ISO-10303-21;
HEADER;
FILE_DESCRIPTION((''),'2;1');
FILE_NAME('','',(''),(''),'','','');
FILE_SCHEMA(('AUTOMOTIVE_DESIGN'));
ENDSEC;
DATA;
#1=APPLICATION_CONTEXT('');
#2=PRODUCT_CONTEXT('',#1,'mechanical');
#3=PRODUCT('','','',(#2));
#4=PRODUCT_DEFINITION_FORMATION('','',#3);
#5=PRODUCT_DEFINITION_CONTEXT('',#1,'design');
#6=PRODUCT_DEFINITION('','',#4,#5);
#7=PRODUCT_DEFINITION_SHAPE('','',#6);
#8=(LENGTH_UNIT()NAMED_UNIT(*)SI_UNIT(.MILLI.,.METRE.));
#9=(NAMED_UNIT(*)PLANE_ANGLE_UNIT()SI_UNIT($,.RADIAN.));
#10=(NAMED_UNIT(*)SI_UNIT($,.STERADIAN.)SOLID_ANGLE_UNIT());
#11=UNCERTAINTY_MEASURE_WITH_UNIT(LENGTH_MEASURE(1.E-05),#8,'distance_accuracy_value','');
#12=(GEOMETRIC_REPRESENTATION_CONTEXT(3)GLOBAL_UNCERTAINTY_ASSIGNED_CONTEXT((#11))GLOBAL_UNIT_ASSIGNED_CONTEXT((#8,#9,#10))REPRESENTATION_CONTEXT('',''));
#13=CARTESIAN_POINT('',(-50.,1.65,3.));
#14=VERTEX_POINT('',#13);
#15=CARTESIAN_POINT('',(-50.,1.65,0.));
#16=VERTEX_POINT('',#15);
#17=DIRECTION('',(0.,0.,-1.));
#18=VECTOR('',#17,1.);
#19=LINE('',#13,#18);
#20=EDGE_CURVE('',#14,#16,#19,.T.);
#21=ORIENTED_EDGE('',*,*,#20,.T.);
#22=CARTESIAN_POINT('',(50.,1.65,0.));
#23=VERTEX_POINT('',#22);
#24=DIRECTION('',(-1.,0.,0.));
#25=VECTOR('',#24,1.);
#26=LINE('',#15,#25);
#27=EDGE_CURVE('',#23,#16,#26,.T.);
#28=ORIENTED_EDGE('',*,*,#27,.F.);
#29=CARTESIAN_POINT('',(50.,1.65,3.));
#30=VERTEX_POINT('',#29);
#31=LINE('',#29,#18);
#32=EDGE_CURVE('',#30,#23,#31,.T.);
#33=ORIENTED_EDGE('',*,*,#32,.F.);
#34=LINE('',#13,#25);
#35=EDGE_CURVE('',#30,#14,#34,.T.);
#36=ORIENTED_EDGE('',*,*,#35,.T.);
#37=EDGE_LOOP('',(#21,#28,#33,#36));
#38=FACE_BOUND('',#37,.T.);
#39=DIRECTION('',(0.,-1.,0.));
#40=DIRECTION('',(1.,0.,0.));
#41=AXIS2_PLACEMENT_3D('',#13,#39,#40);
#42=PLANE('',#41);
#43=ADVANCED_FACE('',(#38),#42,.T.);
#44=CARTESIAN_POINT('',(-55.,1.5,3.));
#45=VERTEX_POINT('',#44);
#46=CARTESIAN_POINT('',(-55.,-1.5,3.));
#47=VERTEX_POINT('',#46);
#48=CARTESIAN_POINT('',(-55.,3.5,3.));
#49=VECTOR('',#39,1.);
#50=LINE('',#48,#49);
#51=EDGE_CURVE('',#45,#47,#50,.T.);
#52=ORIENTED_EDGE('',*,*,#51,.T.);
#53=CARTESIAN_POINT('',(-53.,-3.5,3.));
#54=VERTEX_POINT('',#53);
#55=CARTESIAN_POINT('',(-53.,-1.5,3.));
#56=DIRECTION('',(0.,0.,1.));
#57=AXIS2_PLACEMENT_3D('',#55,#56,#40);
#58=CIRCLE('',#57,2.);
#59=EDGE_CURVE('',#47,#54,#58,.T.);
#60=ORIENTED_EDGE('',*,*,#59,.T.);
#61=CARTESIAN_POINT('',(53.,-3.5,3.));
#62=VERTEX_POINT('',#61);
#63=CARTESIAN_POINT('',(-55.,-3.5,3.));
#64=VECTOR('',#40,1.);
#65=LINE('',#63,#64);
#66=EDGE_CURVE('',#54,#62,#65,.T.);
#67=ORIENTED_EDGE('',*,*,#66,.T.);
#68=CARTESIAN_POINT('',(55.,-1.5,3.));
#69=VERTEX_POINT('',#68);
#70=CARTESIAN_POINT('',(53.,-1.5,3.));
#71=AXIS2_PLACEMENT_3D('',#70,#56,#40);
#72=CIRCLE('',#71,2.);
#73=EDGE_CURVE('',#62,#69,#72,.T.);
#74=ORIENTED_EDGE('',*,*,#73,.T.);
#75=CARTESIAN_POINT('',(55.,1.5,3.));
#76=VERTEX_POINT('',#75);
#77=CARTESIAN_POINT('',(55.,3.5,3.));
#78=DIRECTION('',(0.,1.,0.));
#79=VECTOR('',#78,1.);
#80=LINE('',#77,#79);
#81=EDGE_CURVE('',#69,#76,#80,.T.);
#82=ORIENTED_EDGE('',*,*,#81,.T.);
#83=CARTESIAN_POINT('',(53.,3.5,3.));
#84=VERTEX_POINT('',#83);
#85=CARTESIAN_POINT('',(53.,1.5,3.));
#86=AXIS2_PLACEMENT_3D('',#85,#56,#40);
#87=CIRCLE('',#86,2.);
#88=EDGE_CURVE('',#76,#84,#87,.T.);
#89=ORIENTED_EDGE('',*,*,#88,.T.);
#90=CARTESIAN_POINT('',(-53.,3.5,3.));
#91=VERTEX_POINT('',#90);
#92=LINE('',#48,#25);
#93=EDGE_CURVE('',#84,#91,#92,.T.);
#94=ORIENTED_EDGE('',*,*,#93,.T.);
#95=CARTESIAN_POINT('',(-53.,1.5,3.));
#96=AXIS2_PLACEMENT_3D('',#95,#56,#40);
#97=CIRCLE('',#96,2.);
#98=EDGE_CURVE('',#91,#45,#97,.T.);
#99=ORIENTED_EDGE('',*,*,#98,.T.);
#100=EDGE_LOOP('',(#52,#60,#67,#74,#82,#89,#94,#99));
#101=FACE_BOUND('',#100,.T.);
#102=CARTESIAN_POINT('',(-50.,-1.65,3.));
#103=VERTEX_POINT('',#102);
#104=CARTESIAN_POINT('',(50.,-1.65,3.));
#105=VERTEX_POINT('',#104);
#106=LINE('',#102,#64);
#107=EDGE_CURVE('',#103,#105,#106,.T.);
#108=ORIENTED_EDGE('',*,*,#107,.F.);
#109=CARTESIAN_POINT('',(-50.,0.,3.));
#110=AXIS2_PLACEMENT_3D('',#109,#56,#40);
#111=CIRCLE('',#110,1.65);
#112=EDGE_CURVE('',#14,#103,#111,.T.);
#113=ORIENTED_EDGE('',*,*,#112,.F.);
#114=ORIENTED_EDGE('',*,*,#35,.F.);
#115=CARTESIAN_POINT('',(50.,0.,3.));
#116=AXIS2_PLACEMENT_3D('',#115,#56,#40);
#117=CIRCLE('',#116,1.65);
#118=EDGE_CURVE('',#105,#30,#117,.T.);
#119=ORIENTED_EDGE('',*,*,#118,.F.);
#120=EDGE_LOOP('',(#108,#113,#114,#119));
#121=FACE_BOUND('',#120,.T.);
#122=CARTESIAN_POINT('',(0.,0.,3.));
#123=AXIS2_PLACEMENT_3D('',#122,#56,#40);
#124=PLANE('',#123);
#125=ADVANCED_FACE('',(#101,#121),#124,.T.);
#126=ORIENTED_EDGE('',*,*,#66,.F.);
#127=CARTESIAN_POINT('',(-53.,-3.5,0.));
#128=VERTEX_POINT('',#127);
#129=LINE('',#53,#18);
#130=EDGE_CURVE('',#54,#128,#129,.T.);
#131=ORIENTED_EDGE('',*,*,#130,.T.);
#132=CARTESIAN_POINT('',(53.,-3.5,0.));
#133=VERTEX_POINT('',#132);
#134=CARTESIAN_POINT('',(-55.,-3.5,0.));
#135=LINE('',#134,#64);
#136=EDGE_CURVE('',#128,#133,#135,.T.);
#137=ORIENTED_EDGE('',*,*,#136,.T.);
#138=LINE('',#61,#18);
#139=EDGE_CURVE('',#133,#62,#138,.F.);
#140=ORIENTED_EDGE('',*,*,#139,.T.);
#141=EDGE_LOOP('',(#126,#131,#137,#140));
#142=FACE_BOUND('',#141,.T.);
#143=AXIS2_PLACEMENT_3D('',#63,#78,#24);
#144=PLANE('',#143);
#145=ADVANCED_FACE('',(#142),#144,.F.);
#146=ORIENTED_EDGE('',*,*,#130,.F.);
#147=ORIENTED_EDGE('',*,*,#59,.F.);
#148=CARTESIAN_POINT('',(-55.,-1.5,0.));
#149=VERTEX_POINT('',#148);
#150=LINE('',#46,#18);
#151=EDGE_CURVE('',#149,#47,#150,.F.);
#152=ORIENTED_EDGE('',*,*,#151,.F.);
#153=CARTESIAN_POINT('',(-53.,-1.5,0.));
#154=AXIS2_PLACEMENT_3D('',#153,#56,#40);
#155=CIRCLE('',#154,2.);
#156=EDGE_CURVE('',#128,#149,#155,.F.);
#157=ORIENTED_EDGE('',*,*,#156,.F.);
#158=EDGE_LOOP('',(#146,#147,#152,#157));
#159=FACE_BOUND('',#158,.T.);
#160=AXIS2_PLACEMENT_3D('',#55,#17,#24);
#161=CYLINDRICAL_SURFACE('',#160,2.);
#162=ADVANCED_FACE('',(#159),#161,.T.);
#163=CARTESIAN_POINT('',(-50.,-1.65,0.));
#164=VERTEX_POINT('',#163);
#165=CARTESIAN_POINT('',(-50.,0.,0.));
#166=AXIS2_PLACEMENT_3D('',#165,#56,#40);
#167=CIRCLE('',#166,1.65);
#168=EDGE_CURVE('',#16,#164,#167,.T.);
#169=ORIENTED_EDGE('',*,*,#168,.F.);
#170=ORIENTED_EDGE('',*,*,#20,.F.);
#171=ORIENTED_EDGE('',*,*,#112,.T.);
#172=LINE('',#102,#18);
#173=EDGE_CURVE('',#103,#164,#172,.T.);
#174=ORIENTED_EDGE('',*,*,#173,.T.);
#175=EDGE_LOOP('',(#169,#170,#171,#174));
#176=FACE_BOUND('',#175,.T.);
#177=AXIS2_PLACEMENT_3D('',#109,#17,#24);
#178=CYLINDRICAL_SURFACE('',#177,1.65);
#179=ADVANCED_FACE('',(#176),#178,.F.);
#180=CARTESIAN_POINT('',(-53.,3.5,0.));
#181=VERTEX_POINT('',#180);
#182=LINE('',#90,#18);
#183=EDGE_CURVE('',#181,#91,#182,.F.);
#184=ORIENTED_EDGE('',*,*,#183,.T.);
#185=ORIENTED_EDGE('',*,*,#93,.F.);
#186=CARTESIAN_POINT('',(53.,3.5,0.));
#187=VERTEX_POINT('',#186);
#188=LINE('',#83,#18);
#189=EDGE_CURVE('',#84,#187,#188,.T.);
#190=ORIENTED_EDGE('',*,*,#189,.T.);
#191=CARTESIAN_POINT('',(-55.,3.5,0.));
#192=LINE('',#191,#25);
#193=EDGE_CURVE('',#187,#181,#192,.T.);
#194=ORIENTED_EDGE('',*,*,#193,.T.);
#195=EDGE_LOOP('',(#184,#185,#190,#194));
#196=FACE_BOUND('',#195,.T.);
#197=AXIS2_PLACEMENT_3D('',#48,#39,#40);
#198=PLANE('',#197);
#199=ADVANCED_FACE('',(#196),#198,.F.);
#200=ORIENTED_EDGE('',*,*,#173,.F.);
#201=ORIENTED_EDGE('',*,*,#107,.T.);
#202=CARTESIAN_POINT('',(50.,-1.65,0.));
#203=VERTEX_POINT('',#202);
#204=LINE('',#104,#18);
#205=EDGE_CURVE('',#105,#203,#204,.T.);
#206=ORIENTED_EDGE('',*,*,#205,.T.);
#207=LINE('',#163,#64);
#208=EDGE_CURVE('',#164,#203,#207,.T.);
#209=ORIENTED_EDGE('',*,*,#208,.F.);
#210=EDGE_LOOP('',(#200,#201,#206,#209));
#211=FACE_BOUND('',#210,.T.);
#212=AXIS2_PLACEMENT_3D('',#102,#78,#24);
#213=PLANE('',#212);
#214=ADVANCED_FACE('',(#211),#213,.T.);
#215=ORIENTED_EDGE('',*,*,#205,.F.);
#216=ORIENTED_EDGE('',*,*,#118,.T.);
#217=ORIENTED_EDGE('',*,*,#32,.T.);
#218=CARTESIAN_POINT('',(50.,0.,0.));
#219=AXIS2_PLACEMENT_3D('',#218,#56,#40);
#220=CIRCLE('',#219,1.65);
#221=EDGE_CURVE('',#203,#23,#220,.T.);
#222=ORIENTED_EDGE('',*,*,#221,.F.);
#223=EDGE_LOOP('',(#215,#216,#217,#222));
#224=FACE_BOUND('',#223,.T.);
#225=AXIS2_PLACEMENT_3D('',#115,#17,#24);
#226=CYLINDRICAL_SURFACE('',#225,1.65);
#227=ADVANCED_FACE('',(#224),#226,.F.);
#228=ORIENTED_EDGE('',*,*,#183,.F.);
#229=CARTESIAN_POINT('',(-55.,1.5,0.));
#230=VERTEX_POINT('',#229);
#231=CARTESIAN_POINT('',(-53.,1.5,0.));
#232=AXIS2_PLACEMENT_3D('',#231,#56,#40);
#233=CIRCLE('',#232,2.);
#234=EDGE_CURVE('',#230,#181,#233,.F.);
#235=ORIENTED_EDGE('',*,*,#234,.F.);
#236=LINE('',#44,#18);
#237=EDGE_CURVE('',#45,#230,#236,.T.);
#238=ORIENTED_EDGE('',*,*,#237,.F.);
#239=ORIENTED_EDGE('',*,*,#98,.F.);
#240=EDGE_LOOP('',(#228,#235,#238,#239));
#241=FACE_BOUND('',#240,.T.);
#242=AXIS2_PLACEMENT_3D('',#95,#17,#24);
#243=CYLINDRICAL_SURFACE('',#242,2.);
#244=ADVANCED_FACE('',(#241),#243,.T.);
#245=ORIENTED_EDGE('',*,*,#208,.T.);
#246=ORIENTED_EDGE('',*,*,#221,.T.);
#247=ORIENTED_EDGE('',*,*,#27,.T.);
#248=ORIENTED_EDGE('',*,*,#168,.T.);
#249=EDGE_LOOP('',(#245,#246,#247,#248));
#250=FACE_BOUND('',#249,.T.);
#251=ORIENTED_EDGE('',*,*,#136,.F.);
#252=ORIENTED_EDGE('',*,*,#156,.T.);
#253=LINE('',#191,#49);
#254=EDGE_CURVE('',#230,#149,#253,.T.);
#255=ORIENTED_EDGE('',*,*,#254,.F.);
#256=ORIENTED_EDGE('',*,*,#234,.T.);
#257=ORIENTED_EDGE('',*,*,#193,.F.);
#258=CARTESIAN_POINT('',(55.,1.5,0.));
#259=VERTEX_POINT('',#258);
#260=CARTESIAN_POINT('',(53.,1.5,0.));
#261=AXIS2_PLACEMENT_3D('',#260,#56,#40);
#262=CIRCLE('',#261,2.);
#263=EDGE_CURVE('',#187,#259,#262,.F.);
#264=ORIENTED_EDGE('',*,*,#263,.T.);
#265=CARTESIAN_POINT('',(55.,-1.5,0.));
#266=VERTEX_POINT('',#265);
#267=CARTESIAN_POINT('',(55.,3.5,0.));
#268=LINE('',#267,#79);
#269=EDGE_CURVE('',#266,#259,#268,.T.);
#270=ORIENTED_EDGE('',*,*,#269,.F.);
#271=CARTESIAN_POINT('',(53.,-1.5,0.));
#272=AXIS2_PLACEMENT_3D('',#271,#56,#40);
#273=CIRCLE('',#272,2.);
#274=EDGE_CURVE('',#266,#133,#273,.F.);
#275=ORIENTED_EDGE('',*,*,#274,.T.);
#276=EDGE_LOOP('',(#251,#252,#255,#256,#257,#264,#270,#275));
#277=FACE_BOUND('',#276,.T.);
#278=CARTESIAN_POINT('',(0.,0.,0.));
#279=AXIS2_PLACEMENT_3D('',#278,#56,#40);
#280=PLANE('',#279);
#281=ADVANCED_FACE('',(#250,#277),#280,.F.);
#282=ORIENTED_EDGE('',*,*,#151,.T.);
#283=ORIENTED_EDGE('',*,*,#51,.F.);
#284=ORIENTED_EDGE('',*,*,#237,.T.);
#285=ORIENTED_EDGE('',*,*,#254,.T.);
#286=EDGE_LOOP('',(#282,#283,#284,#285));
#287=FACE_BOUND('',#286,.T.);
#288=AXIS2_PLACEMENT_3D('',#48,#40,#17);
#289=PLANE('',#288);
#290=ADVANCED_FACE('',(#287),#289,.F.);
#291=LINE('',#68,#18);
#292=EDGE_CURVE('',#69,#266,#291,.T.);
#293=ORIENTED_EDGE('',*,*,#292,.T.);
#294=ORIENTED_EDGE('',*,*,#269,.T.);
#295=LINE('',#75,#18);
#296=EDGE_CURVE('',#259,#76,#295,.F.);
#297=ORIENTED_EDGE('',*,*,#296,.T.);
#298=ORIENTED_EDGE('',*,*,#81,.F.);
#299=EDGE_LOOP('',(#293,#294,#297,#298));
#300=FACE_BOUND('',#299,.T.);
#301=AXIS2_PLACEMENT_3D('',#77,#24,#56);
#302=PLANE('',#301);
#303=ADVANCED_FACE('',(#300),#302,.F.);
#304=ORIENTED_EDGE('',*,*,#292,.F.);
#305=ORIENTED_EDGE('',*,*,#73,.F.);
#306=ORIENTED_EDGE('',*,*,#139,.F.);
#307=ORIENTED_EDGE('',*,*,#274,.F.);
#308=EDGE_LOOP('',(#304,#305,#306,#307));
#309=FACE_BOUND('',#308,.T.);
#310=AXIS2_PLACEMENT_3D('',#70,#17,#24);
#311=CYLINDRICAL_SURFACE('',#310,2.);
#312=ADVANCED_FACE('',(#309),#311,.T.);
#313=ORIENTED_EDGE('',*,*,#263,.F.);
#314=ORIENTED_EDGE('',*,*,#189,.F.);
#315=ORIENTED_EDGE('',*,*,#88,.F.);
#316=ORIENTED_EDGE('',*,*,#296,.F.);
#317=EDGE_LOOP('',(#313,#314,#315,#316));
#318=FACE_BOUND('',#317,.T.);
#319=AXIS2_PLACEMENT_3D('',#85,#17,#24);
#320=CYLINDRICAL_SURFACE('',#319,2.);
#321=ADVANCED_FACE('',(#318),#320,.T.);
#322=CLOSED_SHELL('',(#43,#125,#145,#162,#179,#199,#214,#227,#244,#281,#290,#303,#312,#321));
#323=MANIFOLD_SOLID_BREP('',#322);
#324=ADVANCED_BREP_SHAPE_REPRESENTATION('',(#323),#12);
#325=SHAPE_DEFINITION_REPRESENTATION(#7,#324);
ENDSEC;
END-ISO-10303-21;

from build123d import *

# Parameters (mm, degrees)
SKETCH_1_W      = 110
SKETCH_1_H      = 7
EXTRUDE_1_DEPTH = 3
FILLET_1_R      = 2


with BuildPart() as part:
    # 草图1 → 凸台-拉伸1 (new body)
    with BuildSketch(Plane.XY):
        Rectangle(SKETCH_1_W, SKETCH_1_H)
        with BuildLine():
            Line((-50, 1.65), (50, 1.65))
            ThreePointArc((50, 1.65), (51.65, 0), (50, -1.65))
            Line((50, -1.65), (-50, -1.65))
            ThreePointArc((-50, -1.65), (-51.65, 0), (-50, 1.65))
        make_face(mode=Mode.SUBTRACT)
    extrude(amount=EXTRUDE_1_DEPTH)

    # 圆角1
    fillet_1_edges = [part.edges().sort_by_distance(p)[0] for p in [
        (55, -3.5, 1.5),
        (-55, -3.5, 1.5),
        (-55, 3.5, 1.5),
        (55, 3.5, 1.5),
    ]]
    fillet(fillet_1_edges, radius=FILLET_1_R)


solid = part.part
